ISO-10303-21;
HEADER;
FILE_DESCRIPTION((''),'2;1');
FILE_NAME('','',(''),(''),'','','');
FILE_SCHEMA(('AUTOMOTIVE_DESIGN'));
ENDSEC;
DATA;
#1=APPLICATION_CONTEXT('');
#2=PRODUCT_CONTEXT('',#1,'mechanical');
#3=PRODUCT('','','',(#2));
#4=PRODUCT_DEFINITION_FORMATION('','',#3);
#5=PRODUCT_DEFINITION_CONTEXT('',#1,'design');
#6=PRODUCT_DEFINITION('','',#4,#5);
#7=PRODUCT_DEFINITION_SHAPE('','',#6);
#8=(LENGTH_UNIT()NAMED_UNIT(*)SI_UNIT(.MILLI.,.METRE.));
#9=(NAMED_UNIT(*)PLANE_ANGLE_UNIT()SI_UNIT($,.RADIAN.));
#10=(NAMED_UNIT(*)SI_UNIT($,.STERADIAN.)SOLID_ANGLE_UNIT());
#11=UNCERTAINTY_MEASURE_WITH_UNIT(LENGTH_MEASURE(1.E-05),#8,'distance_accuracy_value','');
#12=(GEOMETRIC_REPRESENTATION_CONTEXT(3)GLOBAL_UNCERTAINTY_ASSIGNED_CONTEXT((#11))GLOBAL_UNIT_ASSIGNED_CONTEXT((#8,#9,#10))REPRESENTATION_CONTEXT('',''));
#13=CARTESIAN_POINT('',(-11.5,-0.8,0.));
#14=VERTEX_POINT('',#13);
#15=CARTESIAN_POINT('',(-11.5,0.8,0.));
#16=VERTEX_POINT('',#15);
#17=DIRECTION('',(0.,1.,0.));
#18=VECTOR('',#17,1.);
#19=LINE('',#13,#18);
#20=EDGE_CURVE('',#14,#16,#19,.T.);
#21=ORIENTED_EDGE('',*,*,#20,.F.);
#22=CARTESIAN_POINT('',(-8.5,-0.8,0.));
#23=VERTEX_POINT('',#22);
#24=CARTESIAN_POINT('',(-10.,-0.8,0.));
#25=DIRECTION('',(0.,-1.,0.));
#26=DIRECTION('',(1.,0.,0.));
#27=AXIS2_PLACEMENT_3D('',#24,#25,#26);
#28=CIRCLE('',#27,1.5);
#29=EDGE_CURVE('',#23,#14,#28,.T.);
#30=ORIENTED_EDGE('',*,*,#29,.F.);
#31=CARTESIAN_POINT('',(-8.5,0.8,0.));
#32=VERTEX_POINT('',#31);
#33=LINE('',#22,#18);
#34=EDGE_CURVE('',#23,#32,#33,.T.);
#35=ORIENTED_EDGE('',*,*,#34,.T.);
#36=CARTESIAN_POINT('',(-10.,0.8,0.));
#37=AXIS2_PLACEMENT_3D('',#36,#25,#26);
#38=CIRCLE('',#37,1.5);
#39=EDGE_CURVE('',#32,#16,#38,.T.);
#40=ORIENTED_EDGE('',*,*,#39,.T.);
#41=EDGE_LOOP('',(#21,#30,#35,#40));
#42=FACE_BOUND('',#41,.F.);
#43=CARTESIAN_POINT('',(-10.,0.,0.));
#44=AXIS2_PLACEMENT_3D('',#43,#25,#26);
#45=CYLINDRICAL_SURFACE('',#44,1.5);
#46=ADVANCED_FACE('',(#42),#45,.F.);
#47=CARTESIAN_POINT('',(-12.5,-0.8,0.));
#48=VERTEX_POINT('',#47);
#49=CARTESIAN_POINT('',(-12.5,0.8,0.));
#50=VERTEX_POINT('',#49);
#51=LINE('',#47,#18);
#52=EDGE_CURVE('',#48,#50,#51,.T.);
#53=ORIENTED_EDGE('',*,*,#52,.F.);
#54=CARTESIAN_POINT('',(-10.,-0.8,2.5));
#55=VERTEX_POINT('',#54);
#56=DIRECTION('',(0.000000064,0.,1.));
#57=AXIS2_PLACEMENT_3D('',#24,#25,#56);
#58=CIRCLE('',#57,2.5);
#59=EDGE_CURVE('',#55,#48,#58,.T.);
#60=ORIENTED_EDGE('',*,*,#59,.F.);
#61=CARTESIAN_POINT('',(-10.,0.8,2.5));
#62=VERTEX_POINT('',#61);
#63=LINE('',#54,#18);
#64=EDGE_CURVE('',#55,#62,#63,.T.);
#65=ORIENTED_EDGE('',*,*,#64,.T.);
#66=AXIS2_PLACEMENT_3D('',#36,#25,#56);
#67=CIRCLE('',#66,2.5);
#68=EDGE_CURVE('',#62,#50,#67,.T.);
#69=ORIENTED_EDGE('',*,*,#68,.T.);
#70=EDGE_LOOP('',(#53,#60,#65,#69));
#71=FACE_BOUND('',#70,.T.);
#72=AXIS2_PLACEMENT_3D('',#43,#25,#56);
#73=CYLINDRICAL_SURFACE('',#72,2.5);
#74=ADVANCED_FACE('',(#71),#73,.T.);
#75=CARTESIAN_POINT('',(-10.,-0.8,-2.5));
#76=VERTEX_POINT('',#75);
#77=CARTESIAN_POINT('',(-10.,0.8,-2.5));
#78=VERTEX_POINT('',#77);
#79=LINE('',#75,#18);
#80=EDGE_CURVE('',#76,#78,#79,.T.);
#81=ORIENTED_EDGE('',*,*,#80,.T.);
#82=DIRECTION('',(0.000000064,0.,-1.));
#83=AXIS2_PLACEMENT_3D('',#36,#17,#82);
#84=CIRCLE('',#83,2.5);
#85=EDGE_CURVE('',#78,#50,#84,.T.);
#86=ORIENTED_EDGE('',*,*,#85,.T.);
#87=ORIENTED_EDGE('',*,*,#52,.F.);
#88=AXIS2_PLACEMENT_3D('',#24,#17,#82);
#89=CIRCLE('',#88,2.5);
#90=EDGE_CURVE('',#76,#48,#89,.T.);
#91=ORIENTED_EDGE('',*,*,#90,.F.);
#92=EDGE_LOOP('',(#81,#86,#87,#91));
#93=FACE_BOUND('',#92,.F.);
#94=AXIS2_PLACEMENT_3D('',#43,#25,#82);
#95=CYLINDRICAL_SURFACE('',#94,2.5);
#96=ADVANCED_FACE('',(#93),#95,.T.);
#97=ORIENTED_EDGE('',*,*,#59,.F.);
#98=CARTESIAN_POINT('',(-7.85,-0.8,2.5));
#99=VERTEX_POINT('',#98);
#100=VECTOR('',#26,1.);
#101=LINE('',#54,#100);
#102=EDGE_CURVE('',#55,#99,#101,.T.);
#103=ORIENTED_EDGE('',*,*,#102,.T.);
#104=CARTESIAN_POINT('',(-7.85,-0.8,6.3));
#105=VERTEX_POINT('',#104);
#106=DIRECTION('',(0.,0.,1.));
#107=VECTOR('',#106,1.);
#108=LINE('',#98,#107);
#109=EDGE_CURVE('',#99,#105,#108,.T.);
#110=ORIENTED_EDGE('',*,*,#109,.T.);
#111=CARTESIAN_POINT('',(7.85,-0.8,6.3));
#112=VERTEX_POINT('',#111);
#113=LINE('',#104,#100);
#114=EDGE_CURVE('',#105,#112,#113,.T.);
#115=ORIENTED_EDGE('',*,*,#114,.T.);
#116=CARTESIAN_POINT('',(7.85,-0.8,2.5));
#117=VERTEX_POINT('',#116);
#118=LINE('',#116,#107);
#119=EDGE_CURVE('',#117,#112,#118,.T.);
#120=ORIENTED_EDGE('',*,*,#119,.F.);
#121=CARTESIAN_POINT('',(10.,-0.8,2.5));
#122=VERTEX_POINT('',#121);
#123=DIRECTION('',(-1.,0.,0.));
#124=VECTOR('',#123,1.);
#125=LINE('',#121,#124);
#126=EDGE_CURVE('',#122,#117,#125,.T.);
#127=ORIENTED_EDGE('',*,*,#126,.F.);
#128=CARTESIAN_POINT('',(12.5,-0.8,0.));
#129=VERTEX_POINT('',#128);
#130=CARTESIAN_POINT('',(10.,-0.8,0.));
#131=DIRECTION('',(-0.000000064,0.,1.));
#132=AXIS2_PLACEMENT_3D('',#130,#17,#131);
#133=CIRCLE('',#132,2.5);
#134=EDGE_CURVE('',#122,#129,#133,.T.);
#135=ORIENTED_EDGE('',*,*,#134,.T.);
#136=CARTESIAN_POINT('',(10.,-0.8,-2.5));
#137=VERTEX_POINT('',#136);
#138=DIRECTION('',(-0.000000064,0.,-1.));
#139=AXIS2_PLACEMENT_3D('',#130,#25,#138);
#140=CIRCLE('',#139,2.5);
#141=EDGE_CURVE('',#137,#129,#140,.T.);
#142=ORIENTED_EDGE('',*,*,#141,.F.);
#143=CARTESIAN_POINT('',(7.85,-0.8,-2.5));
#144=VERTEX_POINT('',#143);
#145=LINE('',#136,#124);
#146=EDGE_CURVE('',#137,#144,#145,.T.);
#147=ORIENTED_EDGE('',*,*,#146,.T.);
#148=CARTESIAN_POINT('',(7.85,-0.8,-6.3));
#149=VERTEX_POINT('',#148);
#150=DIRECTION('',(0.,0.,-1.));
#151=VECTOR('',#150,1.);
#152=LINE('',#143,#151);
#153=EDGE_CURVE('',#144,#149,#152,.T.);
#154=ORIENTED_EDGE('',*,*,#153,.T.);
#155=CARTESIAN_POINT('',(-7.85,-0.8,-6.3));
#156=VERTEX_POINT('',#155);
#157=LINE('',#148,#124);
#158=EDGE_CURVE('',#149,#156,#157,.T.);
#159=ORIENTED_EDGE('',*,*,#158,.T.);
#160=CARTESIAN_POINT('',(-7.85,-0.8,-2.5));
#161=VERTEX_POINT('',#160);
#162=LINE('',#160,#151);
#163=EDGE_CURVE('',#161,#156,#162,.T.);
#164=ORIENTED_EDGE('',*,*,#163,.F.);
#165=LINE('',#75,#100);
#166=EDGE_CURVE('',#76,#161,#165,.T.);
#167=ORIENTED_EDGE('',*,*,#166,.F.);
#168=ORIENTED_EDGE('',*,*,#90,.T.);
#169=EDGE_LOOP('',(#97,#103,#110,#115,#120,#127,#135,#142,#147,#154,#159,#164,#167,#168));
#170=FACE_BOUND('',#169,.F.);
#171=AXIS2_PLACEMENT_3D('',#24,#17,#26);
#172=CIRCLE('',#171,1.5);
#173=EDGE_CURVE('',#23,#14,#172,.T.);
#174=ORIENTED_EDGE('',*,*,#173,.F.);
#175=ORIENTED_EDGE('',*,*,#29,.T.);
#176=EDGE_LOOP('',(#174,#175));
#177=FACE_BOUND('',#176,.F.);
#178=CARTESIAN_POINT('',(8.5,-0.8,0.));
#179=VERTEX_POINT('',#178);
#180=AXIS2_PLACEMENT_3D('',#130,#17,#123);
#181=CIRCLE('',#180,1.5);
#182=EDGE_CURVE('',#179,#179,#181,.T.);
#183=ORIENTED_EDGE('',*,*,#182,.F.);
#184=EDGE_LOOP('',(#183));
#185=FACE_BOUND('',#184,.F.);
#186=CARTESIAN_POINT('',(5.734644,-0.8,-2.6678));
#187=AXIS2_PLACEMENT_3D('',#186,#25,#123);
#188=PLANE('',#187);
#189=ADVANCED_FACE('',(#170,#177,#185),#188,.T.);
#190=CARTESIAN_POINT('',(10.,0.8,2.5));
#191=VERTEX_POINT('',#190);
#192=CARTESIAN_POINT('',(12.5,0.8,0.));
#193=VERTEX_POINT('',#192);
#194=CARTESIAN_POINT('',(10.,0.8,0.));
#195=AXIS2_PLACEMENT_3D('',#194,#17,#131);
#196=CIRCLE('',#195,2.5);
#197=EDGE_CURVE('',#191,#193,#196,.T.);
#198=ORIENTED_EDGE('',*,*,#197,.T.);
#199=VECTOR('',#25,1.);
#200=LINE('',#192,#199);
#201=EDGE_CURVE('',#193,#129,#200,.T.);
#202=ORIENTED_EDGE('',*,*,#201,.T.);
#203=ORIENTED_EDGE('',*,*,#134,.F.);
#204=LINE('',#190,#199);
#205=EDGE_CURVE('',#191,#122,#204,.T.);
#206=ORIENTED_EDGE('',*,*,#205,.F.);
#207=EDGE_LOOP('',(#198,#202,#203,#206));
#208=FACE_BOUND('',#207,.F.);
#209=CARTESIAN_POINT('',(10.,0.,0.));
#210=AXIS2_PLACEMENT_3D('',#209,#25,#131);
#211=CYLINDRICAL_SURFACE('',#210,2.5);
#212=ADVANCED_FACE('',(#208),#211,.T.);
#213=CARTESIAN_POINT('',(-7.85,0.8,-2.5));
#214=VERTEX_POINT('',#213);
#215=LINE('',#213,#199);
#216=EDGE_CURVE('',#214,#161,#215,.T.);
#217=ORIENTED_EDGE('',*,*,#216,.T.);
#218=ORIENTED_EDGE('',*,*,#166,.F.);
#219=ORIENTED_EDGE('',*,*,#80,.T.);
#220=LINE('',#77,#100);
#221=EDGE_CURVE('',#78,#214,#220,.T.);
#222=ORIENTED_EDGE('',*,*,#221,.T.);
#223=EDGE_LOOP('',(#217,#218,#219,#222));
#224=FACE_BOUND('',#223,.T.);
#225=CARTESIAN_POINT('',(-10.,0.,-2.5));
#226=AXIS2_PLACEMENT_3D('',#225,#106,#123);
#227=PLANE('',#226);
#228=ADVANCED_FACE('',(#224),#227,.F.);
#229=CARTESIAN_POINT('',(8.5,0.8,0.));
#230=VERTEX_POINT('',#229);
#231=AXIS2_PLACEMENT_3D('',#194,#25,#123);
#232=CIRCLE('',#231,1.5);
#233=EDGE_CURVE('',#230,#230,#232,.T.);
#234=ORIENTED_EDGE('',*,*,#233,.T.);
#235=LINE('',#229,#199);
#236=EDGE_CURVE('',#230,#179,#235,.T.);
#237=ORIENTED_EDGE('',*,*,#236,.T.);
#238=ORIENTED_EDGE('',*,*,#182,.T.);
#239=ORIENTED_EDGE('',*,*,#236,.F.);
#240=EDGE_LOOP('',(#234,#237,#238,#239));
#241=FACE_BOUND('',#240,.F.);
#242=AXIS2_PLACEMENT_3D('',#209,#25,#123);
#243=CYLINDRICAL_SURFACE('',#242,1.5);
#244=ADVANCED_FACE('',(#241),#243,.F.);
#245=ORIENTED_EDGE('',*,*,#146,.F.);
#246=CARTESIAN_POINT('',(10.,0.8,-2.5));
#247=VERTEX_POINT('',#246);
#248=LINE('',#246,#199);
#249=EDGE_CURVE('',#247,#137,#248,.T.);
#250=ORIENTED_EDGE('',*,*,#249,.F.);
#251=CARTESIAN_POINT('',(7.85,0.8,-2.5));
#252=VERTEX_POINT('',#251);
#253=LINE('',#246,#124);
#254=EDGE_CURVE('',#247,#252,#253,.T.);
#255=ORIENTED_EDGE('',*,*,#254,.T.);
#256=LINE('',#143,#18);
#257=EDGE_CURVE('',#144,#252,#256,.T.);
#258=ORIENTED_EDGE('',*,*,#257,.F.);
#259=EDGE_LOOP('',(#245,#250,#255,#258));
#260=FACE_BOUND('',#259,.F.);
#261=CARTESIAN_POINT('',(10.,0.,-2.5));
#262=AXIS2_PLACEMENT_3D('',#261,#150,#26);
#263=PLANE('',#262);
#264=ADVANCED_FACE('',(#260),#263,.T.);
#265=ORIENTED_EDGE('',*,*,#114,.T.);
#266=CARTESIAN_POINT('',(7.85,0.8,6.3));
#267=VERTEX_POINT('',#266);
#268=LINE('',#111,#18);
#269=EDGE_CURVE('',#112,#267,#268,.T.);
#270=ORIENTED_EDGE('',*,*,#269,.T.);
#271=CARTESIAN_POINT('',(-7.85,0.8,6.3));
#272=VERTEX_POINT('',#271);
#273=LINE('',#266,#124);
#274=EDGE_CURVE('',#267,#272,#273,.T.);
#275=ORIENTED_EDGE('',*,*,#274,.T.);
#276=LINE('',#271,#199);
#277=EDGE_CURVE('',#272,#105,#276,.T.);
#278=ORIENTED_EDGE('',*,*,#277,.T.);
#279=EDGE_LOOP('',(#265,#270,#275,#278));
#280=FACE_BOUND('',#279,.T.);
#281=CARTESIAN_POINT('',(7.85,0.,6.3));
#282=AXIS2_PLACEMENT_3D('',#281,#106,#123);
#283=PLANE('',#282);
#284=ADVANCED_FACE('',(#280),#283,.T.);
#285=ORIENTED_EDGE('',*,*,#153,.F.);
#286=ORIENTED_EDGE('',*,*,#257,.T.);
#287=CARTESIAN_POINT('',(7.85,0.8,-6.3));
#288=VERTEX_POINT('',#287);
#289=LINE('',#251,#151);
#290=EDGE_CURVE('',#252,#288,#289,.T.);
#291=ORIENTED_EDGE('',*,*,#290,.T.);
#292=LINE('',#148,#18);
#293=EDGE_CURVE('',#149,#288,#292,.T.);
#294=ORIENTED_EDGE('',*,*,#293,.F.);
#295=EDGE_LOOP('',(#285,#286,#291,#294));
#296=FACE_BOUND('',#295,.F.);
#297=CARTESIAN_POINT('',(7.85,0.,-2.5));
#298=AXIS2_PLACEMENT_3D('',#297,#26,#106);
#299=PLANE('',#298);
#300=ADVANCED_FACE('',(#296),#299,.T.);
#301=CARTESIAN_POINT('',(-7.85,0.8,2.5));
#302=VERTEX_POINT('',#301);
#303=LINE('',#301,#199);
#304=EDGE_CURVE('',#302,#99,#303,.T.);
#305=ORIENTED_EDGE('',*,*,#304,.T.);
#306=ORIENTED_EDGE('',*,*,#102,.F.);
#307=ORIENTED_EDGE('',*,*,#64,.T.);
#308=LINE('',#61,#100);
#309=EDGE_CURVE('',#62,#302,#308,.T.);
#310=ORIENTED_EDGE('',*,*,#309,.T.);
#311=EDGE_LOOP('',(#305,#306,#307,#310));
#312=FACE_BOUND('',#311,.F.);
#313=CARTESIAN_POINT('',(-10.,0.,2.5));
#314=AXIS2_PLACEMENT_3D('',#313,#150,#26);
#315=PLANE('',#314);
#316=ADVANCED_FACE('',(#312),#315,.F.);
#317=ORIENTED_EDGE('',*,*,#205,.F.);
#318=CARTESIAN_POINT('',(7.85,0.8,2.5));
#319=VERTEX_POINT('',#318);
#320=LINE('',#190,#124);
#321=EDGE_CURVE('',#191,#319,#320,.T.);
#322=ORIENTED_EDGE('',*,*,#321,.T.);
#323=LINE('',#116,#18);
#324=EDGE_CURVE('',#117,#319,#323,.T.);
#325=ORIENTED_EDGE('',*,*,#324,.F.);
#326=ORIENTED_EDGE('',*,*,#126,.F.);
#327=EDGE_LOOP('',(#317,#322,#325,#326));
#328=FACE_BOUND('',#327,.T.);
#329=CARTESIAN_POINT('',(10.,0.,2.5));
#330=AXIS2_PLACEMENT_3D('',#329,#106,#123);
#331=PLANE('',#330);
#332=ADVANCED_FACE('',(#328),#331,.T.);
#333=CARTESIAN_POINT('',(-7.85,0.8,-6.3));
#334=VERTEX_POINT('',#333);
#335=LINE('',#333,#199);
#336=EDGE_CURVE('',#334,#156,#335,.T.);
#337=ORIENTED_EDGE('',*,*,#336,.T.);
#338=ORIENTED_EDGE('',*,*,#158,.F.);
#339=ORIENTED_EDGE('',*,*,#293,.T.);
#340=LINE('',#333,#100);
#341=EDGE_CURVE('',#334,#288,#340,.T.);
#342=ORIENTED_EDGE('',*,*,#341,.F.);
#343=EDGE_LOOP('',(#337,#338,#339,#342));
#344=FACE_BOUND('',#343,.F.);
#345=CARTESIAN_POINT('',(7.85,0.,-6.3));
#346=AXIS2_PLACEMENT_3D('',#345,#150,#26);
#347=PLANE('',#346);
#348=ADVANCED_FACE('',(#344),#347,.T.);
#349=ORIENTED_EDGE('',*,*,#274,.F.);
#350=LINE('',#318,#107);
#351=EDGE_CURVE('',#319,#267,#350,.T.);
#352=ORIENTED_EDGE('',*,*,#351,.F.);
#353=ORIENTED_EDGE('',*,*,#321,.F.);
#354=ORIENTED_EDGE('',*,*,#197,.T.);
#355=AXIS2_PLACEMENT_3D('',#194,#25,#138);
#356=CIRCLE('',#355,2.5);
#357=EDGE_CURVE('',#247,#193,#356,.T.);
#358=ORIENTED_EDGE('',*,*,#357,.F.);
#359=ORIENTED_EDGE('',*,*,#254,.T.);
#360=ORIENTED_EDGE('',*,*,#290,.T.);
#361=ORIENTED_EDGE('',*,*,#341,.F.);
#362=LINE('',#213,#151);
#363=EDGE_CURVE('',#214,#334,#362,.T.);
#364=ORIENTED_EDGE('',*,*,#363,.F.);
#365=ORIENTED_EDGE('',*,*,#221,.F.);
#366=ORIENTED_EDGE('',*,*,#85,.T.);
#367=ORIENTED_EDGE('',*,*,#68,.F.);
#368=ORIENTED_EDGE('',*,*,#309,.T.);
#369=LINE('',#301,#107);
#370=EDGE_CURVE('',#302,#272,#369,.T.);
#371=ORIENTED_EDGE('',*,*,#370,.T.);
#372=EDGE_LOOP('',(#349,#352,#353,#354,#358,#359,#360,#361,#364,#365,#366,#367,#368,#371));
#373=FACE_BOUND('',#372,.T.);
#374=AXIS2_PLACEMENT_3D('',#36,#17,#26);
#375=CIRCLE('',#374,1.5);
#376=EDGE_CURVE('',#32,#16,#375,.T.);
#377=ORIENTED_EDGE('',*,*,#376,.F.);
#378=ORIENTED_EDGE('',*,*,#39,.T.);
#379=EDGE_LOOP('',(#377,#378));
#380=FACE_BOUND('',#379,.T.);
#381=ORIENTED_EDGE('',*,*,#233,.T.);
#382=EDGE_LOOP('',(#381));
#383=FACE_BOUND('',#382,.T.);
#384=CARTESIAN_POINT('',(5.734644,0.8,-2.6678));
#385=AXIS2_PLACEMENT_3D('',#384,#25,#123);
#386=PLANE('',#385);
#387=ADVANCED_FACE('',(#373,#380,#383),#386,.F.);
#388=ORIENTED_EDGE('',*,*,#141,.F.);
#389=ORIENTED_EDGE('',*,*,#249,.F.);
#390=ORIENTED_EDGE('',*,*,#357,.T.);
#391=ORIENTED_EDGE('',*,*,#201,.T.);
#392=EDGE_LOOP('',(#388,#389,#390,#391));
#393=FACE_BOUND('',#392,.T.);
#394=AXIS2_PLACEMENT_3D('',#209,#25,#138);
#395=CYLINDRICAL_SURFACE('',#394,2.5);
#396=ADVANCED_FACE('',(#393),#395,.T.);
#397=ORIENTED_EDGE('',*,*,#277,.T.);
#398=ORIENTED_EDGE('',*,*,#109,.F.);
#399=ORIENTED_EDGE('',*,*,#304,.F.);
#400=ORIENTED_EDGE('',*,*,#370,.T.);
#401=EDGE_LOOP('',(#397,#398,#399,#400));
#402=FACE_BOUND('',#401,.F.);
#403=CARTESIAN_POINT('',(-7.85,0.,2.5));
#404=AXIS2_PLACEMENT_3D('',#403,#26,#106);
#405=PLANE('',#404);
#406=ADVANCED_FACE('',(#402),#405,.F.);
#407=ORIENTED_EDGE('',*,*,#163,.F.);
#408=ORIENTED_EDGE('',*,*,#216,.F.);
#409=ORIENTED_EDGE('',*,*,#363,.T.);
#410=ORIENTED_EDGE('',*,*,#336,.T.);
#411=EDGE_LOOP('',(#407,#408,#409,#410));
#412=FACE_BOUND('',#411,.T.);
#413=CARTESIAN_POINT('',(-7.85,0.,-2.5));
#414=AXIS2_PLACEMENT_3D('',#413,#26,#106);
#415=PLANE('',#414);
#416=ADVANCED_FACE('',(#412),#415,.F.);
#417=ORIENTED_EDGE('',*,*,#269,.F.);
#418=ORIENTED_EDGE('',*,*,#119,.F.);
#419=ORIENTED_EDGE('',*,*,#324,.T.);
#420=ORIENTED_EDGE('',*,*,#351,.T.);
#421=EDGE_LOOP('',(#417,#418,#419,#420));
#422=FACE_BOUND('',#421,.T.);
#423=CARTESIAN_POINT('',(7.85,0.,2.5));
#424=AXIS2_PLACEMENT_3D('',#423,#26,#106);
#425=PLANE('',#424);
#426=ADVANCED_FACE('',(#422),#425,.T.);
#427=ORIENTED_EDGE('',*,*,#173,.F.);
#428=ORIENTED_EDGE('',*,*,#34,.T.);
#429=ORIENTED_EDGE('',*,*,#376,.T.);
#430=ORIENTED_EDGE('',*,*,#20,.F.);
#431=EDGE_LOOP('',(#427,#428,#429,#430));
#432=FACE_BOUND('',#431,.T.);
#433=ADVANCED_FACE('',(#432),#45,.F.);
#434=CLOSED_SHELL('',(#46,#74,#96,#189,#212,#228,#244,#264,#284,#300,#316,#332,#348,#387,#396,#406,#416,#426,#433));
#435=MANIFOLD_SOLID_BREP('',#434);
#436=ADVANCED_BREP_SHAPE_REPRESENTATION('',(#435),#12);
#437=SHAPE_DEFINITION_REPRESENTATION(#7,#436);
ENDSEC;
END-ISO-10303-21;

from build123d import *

# Parameters (mm, degrees)
PAD007_DEPTH          = 0.8
PAD007_MIRROR_2_DEPTH = 0.8


with BuildPart() as part:
    # Sketch038 (on XZ_Plane013 of Origin026) → Pad007 (new body, symmetric)
    with BuildSketch(Plane.XZ):
        with BuildLine():
            Line((0, 6.3), (0, 0))
            Line((0, 0), (-8.5, 0))
            ThreePointArc((-8.5, 0), (-10, 1.5), (-11.5, 0))
            Line((-11.5, 0), (-12.5, 0))
            ThreePointArc((-10, 2.5), (-11.767767, 1.767767), (-12.5, 0))
            Line((-10, 2.5), (-7.85, 2.5))
            Line((-7.85, 2.5), (-7.85, 6.3))
            Line((-7.85, 6.3), (0, 6.3))
        make_face()
    pad007 = extrude(amount=PAD007_DEPTH, both=True)

    # Sketch038 Mirror 2 → Pad007 Mirror 2 (add, symmetric)
    with BuildSketch(Plane(origin=(0, 0, 0), x_dir=(-1, 0, 0), z_dir=(0, 1, 0))):
        with BuildLine():
            Line((0, 6.3), (0, 0))
            Line((0, 0), (-8.5, 0))
            ThreePointArc((-8.5, 0), (-10, 1.5), (-11.5, 0))
            Line((-11.5, 0), (-12.5, 0))
            ThreePointArc((-10, 2.5), (-11.767767, 1.767767), (-12.5, 0))
            Line((-10, 2.5), (-7.85, 2.5))
            Line((-7.85, 2.5), (-7.85, 6.3))
            Line((-7.85, 6.3), (0, 6.3))
        make_face()
    pad007_mirror_2 = extrude(amount=-PAD007_MIRROR_2_DEPTH, both=True)

    # Mirror001: Pad007, Pad007 Mirror 2 across Sketch038 H_Axis
    add(pad007.mirror(Plane(origin=(0, 0, 0), x_dir=(0, -1, 0), z_dir=(0, 0, 1))))
    add(pad007_mirror_2.mirror(Plane(origin=(0, 0, 0), x_dir=(0, -1, 0), z_dir=(0, 0, 1))))


solid = part.part
